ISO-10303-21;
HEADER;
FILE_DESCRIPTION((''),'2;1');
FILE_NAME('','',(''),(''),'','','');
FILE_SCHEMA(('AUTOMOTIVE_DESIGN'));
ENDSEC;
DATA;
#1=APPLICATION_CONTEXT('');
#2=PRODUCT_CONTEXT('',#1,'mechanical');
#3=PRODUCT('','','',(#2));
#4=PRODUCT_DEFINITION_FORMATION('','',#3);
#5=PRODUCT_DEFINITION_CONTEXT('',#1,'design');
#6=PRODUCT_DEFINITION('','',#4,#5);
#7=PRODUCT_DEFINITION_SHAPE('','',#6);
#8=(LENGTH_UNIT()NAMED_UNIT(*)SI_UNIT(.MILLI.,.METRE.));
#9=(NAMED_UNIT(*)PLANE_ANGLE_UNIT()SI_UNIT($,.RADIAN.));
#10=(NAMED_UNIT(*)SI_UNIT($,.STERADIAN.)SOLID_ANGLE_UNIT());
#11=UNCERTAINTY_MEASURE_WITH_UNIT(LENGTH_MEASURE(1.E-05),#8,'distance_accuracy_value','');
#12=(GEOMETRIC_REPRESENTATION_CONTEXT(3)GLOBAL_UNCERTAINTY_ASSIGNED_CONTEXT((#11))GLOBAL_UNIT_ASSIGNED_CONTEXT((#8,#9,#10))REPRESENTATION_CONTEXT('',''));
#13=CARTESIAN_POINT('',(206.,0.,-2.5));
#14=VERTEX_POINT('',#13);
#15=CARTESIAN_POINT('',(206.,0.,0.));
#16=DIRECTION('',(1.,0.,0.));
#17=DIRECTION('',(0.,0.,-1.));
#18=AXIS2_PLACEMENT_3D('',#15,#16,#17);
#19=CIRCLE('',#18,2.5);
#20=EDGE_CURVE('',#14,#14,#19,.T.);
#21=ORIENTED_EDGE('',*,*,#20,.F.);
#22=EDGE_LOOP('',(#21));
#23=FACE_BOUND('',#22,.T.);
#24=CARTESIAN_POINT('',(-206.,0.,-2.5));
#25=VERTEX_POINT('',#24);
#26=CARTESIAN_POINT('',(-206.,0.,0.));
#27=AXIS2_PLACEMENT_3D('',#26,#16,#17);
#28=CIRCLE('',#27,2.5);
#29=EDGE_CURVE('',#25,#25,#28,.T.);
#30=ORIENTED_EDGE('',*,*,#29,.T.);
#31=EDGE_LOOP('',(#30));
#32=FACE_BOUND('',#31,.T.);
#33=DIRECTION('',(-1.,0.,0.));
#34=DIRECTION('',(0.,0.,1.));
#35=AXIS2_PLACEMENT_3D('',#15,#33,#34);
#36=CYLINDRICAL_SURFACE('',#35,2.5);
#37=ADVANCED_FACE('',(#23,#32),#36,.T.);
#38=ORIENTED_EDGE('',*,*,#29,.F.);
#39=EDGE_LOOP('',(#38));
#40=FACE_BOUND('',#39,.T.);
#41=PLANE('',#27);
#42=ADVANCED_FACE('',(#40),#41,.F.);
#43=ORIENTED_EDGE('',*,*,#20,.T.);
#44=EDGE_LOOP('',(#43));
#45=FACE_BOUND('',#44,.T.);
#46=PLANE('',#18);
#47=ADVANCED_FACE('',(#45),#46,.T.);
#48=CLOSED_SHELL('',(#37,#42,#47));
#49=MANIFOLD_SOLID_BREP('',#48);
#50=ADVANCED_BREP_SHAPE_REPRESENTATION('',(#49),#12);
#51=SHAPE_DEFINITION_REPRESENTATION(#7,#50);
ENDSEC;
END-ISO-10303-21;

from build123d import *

# Parameters (mm, degrees)
ESBO_O1_R                = 2.5
RESSALTO_EXTRUS_O1_DEPTH = 206


with BuildPart() as part:
    # Esboço1 → Ressalto-extrusão1 (new, symmetric)
    with BuildSketch(Plane(origin=(0, 0, 0), x_dir=(0, 0, -1), z_dir=(1, 0, 0))):
        Circle(ESBO_O1_R)
    extrude(amount=RESSALTO_EXTRUS_O1_DEPTH, both=True)


solid = part.part
